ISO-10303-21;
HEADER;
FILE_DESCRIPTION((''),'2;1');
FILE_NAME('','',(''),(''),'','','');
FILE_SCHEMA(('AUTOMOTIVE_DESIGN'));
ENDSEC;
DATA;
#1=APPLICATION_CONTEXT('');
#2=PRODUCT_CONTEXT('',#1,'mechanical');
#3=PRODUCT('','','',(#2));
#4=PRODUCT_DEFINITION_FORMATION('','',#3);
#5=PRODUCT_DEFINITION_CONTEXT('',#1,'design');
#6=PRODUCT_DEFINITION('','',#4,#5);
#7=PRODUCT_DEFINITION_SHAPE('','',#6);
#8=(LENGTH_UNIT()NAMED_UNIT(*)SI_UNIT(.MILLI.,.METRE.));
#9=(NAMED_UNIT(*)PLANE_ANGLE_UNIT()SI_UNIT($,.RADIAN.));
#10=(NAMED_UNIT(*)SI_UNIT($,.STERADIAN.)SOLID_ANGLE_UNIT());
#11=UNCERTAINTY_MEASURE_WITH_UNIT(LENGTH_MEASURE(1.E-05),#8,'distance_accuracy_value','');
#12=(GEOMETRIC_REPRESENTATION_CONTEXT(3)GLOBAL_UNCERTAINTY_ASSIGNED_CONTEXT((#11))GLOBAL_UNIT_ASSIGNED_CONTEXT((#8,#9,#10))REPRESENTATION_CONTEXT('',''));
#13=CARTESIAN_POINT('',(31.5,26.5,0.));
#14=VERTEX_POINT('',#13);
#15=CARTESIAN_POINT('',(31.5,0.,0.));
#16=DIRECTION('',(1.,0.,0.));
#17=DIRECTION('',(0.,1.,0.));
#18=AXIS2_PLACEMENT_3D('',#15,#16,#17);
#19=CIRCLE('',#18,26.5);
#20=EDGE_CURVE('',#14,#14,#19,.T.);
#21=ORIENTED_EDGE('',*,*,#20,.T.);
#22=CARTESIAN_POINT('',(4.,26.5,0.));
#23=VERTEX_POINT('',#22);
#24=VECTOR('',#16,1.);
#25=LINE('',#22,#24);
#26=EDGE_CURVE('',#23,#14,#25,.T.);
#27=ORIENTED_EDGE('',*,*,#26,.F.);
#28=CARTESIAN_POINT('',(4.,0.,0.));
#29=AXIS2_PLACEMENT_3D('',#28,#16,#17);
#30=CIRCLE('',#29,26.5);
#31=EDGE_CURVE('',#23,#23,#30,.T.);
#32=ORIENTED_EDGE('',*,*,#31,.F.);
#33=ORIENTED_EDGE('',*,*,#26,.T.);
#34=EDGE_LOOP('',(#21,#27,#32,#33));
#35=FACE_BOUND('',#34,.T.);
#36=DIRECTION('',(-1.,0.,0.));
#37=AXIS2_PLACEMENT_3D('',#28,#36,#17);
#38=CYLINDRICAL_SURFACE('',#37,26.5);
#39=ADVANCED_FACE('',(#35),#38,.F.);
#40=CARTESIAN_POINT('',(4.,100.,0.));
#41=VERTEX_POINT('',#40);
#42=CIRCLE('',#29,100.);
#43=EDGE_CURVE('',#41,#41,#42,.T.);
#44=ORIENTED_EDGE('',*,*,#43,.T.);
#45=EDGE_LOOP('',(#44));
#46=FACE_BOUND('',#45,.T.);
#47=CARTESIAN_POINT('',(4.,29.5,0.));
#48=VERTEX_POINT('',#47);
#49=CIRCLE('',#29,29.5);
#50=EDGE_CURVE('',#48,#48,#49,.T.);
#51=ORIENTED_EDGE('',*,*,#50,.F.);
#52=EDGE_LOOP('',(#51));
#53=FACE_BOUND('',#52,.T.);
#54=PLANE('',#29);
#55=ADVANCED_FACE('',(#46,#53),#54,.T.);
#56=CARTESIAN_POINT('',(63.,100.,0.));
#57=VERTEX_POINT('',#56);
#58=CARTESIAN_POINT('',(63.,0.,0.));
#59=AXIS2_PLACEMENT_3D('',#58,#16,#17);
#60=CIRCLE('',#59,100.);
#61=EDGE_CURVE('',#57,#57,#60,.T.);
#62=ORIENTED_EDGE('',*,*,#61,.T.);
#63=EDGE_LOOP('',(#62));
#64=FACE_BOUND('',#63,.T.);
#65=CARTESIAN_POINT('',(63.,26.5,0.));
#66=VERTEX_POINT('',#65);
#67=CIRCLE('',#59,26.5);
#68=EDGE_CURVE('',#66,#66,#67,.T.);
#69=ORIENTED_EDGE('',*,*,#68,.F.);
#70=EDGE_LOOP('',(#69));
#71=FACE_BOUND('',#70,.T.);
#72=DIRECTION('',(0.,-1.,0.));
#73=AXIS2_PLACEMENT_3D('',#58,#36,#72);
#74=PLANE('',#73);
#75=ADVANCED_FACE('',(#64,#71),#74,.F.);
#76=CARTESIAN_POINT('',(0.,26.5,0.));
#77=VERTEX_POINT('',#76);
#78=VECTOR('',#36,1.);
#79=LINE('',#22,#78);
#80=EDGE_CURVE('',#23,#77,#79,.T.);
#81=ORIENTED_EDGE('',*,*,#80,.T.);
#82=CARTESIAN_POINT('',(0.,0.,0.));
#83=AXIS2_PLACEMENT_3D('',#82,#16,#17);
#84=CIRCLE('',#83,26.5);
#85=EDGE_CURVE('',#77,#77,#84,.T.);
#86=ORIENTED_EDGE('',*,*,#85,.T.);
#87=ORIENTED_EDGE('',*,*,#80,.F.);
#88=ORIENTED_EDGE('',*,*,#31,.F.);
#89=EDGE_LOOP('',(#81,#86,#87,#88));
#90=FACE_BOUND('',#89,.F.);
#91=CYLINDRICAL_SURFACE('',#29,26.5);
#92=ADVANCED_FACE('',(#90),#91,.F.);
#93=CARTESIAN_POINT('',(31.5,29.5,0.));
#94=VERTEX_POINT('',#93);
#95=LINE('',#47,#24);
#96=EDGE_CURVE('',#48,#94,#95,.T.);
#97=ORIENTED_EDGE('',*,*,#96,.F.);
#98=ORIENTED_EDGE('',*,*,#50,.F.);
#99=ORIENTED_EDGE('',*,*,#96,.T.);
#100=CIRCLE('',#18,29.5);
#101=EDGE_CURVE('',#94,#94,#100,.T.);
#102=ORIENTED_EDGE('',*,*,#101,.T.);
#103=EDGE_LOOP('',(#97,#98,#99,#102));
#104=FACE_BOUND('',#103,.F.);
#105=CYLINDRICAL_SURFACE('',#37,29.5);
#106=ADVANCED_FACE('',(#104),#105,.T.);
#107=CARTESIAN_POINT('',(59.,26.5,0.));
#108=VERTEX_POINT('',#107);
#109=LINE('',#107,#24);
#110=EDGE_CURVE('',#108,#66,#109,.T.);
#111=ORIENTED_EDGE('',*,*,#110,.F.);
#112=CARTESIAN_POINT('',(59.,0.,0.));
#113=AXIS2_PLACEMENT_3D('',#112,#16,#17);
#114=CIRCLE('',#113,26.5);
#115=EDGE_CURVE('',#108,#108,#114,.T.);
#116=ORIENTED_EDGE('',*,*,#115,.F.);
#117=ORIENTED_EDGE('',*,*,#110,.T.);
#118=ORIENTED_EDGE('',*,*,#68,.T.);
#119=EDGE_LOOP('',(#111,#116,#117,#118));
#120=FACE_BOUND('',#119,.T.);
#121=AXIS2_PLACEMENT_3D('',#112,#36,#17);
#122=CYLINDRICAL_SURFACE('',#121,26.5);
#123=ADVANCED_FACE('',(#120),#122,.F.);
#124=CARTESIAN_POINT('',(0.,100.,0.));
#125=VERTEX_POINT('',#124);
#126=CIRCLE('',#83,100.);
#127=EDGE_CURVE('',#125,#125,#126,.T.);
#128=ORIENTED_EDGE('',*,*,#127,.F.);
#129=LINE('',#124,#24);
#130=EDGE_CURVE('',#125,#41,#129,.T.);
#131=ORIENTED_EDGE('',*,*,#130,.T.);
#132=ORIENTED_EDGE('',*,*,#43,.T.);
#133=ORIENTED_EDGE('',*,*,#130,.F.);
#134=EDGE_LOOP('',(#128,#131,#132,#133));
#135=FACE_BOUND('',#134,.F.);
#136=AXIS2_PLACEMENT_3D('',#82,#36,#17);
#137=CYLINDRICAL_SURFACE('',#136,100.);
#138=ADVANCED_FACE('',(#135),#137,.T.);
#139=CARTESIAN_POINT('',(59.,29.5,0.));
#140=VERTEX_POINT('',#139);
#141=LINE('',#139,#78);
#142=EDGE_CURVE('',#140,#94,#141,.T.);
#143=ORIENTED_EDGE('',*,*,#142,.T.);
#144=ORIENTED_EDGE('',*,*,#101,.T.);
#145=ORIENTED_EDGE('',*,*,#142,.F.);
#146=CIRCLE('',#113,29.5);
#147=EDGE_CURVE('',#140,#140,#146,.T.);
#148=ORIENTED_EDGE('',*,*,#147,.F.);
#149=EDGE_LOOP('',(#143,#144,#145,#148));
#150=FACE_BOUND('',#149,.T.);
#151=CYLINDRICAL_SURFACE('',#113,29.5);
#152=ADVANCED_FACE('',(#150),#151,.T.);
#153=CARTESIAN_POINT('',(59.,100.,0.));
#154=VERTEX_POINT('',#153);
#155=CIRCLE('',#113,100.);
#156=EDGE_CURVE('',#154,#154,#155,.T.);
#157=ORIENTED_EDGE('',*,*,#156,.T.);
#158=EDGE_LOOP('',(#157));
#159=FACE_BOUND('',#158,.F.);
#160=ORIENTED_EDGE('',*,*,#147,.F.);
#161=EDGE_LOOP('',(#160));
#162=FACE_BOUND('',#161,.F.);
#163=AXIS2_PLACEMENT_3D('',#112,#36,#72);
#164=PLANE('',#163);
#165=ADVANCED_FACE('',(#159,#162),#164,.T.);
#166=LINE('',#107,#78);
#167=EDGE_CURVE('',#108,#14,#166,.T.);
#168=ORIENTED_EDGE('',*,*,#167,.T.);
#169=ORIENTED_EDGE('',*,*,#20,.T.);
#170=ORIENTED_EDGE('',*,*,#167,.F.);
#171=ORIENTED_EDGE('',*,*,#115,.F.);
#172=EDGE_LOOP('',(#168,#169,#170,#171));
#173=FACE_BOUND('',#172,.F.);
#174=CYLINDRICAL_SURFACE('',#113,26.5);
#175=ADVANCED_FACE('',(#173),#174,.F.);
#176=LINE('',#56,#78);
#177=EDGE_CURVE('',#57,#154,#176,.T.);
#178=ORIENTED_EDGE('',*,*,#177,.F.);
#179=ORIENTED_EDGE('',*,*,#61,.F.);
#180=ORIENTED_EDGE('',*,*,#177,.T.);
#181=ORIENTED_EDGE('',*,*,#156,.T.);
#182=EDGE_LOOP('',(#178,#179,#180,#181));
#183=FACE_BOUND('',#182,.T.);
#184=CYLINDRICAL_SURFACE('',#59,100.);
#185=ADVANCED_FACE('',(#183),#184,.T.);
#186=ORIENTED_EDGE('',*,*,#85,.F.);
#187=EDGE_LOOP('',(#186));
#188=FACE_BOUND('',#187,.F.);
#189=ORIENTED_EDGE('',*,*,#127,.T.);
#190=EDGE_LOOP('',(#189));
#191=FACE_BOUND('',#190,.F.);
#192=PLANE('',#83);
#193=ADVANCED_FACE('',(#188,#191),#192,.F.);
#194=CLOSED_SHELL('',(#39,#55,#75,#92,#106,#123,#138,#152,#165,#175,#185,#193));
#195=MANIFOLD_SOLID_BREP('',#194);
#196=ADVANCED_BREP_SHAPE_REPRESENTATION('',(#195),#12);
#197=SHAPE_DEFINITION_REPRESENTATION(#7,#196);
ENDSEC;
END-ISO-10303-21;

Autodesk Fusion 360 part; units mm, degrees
sketch "Sketch1" plane through (0, 0, 0) normal (1, 0, 0) x (0, 1, 0)
  circle A0 centre (0, 0) radius 100
  dimension "d1" = 200
extrude "Extrude1" add sketch "Sketch1" along normal blind 4
sketch "Sketch2" plane through (4, 0, 0) normal (1, 0, 0) x (0, 1, 0)
  circle A0 centre (0, 0) radius 100
  circle A1 centre (0, 0) radius 26.5
  circle A2 centre (0, 0) radius 29.5
  dimension "d4" = 53
  dimension "d5" = 3
extrude "Extrude2" add sketch "Sketch2" along normal blind 27.5 contours A2
extrude "Extrude3" cut 1 faces at (4, -6.4753, 6.0082) along direction (-1, 0, 0) blind 40
mirror "Mirror1" about plane through (31.5, 0, 0) normal (1, 0, 0) of bodies 1 merged
